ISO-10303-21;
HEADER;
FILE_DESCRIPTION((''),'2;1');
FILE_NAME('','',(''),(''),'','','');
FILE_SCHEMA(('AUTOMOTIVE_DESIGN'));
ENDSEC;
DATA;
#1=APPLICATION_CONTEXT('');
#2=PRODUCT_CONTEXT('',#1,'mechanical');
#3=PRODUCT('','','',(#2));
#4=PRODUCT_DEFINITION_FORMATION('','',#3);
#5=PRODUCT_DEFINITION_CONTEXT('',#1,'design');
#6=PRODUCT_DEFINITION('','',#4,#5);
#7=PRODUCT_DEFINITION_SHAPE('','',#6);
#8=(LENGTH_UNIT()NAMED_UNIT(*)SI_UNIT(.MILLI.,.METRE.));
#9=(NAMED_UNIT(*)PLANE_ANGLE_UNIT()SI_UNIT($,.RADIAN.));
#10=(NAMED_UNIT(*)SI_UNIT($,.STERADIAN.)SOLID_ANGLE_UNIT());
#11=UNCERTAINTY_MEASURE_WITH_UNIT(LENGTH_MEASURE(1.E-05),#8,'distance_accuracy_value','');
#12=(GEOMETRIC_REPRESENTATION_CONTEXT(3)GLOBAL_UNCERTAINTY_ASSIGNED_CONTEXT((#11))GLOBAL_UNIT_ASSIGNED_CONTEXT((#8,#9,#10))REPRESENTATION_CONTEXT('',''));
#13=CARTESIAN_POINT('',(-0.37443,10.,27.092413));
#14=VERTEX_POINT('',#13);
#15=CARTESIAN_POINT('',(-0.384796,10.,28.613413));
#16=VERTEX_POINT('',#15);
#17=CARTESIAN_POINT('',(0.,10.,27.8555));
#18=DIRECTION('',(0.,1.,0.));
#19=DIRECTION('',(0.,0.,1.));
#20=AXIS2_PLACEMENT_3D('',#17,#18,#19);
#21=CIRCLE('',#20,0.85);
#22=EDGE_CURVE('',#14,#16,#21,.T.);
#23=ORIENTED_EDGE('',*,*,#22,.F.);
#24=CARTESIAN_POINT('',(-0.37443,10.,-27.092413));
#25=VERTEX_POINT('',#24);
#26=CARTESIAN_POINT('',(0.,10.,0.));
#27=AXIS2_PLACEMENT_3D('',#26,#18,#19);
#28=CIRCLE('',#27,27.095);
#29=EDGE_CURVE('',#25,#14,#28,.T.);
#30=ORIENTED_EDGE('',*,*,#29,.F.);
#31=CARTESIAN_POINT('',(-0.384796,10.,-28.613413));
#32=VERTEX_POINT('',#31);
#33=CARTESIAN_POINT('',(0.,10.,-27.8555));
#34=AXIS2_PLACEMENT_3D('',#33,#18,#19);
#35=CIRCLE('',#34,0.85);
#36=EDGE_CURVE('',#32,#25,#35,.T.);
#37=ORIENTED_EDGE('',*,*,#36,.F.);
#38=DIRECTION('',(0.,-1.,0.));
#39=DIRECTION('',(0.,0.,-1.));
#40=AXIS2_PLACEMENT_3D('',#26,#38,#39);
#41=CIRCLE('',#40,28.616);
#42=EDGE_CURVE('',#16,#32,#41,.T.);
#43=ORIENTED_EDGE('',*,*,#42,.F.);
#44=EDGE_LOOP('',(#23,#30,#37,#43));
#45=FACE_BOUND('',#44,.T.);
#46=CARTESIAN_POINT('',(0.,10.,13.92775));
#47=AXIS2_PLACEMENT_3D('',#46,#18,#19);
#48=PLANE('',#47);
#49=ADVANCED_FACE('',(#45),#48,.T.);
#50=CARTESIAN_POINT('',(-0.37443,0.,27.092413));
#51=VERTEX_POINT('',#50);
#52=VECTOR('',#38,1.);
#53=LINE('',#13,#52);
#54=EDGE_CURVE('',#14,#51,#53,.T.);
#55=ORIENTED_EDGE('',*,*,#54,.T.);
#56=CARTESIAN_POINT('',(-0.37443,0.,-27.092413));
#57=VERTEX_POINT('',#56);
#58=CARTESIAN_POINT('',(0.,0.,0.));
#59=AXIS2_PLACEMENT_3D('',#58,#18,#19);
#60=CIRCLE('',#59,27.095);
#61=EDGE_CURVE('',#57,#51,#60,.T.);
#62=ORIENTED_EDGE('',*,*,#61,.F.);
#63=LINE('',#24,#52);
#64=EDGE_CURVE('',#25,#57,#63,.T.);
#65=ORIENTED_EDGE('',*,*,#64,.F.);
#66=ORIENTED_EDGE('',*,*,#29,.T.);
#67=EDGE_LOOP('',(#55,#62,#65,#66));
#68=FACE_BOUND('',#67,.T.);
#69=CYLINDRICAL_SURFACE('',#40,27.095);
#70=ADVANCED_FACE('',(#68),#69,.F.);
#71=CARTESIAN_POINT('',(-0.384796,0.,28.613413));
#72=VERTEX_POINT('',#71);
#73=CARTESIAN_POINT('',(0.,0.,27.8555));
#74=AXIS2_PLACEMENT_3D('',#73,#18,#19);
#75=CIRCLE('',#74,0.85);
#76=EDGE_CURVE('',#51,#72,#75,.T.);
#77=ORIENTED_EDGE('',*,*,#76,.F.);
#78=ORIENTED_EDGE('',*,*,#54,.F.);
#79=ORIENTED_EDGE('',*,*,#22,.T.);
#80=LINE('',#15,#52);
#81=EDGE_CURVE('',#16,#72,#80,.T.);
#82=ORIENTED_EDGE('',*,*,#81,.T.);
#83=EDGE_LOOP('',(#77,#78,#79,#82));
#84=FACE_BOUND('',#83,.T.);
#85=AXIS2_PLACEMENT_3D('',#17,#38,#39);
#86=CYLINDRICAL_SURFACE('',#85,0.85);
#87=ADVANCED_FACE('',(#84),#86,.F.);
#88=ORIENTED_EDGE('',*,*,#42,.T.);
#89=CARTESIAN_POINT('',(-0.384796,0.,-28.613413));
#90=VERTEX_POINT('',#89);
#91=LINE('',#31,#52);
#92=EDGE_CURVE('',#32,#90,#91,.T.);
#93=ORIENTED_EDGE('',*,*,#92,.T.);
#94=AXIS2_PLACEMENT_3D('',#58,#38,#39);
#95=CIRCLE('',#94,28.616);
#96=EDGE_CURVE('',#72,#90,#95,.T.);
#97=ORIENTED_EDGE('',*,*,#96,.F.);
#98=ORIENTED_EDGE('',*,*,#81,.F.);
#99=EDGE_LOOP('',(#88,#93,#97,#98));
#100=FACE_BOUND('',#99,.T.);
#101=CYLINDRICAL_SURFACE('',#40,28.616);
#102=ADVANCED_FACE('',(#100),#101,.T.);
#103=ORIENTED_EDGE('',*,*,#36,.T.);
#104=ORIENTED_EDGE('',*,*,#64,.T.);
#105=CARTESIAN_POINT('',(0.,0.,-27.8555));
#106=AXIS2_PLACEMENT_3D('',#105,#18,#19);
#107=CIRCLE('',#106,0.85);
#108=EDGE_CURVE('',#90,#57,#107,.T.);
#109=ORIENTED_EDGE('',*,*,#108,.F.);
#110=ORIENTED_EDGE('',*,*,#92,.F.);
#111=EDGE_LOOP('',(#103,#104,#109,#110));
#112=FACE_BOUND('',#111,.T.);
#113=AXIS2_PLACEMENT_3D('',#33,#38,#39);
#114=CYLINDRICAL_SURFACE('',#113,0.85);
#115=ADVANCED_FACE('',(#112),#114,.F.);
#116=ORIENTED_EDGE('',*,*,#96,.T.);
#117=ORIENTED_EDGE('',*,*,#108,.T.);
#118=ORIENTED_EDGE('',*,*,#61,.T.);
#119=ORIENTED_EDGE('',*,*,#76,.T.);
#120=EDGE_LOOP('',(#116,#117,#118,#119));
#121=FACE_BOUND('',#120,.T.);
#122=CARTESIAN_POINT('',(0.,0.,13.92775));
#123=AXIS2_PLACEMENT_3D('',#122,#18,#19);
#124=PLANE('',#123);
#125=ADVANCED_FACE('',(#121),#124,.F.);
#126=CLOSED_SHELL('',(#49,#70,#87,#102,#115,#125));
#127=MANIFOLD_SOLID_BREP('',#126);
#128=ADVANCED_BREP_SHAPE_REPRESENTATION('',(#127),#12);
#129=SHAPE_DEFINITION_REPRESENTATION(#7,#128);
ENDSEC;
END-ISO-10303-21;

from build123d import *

# Parameters (mm, degrees)
BOSS_EXTRUDE1_DEPTH = 10


with BuildPart() as part:
    # Sketch1 → Boss-Extrude1 (new body)
    with BuildSketch(Plane(origin=(0, 0, 0), x_dir=(1, 0, 0), z_dir=(0, 1, 0))):
        with BuildLine():
            ThreePointArc((-0.374429978, -27.092412724), (-0.849980259, -27.849706909), (-0.384796444, -28.613412724))
            ThreePointArc((-0.384796444, -28.613412724), (-28.616, 0), (-0.384796444, 28.613412724))
            ThreePointArc((-0.384796444, 28.613412724), (-0.849980259, 27.849706909), (-0.374429978, 27.092412724))
            ThreePointArc((-0.374429978, 27.092412724), (-27.095, 0), (-0.374429978, -27.092412724))
        make_face()
    extrude(amount=BOSS_EXTRUDE1_DEPTH)


solid = part.part
